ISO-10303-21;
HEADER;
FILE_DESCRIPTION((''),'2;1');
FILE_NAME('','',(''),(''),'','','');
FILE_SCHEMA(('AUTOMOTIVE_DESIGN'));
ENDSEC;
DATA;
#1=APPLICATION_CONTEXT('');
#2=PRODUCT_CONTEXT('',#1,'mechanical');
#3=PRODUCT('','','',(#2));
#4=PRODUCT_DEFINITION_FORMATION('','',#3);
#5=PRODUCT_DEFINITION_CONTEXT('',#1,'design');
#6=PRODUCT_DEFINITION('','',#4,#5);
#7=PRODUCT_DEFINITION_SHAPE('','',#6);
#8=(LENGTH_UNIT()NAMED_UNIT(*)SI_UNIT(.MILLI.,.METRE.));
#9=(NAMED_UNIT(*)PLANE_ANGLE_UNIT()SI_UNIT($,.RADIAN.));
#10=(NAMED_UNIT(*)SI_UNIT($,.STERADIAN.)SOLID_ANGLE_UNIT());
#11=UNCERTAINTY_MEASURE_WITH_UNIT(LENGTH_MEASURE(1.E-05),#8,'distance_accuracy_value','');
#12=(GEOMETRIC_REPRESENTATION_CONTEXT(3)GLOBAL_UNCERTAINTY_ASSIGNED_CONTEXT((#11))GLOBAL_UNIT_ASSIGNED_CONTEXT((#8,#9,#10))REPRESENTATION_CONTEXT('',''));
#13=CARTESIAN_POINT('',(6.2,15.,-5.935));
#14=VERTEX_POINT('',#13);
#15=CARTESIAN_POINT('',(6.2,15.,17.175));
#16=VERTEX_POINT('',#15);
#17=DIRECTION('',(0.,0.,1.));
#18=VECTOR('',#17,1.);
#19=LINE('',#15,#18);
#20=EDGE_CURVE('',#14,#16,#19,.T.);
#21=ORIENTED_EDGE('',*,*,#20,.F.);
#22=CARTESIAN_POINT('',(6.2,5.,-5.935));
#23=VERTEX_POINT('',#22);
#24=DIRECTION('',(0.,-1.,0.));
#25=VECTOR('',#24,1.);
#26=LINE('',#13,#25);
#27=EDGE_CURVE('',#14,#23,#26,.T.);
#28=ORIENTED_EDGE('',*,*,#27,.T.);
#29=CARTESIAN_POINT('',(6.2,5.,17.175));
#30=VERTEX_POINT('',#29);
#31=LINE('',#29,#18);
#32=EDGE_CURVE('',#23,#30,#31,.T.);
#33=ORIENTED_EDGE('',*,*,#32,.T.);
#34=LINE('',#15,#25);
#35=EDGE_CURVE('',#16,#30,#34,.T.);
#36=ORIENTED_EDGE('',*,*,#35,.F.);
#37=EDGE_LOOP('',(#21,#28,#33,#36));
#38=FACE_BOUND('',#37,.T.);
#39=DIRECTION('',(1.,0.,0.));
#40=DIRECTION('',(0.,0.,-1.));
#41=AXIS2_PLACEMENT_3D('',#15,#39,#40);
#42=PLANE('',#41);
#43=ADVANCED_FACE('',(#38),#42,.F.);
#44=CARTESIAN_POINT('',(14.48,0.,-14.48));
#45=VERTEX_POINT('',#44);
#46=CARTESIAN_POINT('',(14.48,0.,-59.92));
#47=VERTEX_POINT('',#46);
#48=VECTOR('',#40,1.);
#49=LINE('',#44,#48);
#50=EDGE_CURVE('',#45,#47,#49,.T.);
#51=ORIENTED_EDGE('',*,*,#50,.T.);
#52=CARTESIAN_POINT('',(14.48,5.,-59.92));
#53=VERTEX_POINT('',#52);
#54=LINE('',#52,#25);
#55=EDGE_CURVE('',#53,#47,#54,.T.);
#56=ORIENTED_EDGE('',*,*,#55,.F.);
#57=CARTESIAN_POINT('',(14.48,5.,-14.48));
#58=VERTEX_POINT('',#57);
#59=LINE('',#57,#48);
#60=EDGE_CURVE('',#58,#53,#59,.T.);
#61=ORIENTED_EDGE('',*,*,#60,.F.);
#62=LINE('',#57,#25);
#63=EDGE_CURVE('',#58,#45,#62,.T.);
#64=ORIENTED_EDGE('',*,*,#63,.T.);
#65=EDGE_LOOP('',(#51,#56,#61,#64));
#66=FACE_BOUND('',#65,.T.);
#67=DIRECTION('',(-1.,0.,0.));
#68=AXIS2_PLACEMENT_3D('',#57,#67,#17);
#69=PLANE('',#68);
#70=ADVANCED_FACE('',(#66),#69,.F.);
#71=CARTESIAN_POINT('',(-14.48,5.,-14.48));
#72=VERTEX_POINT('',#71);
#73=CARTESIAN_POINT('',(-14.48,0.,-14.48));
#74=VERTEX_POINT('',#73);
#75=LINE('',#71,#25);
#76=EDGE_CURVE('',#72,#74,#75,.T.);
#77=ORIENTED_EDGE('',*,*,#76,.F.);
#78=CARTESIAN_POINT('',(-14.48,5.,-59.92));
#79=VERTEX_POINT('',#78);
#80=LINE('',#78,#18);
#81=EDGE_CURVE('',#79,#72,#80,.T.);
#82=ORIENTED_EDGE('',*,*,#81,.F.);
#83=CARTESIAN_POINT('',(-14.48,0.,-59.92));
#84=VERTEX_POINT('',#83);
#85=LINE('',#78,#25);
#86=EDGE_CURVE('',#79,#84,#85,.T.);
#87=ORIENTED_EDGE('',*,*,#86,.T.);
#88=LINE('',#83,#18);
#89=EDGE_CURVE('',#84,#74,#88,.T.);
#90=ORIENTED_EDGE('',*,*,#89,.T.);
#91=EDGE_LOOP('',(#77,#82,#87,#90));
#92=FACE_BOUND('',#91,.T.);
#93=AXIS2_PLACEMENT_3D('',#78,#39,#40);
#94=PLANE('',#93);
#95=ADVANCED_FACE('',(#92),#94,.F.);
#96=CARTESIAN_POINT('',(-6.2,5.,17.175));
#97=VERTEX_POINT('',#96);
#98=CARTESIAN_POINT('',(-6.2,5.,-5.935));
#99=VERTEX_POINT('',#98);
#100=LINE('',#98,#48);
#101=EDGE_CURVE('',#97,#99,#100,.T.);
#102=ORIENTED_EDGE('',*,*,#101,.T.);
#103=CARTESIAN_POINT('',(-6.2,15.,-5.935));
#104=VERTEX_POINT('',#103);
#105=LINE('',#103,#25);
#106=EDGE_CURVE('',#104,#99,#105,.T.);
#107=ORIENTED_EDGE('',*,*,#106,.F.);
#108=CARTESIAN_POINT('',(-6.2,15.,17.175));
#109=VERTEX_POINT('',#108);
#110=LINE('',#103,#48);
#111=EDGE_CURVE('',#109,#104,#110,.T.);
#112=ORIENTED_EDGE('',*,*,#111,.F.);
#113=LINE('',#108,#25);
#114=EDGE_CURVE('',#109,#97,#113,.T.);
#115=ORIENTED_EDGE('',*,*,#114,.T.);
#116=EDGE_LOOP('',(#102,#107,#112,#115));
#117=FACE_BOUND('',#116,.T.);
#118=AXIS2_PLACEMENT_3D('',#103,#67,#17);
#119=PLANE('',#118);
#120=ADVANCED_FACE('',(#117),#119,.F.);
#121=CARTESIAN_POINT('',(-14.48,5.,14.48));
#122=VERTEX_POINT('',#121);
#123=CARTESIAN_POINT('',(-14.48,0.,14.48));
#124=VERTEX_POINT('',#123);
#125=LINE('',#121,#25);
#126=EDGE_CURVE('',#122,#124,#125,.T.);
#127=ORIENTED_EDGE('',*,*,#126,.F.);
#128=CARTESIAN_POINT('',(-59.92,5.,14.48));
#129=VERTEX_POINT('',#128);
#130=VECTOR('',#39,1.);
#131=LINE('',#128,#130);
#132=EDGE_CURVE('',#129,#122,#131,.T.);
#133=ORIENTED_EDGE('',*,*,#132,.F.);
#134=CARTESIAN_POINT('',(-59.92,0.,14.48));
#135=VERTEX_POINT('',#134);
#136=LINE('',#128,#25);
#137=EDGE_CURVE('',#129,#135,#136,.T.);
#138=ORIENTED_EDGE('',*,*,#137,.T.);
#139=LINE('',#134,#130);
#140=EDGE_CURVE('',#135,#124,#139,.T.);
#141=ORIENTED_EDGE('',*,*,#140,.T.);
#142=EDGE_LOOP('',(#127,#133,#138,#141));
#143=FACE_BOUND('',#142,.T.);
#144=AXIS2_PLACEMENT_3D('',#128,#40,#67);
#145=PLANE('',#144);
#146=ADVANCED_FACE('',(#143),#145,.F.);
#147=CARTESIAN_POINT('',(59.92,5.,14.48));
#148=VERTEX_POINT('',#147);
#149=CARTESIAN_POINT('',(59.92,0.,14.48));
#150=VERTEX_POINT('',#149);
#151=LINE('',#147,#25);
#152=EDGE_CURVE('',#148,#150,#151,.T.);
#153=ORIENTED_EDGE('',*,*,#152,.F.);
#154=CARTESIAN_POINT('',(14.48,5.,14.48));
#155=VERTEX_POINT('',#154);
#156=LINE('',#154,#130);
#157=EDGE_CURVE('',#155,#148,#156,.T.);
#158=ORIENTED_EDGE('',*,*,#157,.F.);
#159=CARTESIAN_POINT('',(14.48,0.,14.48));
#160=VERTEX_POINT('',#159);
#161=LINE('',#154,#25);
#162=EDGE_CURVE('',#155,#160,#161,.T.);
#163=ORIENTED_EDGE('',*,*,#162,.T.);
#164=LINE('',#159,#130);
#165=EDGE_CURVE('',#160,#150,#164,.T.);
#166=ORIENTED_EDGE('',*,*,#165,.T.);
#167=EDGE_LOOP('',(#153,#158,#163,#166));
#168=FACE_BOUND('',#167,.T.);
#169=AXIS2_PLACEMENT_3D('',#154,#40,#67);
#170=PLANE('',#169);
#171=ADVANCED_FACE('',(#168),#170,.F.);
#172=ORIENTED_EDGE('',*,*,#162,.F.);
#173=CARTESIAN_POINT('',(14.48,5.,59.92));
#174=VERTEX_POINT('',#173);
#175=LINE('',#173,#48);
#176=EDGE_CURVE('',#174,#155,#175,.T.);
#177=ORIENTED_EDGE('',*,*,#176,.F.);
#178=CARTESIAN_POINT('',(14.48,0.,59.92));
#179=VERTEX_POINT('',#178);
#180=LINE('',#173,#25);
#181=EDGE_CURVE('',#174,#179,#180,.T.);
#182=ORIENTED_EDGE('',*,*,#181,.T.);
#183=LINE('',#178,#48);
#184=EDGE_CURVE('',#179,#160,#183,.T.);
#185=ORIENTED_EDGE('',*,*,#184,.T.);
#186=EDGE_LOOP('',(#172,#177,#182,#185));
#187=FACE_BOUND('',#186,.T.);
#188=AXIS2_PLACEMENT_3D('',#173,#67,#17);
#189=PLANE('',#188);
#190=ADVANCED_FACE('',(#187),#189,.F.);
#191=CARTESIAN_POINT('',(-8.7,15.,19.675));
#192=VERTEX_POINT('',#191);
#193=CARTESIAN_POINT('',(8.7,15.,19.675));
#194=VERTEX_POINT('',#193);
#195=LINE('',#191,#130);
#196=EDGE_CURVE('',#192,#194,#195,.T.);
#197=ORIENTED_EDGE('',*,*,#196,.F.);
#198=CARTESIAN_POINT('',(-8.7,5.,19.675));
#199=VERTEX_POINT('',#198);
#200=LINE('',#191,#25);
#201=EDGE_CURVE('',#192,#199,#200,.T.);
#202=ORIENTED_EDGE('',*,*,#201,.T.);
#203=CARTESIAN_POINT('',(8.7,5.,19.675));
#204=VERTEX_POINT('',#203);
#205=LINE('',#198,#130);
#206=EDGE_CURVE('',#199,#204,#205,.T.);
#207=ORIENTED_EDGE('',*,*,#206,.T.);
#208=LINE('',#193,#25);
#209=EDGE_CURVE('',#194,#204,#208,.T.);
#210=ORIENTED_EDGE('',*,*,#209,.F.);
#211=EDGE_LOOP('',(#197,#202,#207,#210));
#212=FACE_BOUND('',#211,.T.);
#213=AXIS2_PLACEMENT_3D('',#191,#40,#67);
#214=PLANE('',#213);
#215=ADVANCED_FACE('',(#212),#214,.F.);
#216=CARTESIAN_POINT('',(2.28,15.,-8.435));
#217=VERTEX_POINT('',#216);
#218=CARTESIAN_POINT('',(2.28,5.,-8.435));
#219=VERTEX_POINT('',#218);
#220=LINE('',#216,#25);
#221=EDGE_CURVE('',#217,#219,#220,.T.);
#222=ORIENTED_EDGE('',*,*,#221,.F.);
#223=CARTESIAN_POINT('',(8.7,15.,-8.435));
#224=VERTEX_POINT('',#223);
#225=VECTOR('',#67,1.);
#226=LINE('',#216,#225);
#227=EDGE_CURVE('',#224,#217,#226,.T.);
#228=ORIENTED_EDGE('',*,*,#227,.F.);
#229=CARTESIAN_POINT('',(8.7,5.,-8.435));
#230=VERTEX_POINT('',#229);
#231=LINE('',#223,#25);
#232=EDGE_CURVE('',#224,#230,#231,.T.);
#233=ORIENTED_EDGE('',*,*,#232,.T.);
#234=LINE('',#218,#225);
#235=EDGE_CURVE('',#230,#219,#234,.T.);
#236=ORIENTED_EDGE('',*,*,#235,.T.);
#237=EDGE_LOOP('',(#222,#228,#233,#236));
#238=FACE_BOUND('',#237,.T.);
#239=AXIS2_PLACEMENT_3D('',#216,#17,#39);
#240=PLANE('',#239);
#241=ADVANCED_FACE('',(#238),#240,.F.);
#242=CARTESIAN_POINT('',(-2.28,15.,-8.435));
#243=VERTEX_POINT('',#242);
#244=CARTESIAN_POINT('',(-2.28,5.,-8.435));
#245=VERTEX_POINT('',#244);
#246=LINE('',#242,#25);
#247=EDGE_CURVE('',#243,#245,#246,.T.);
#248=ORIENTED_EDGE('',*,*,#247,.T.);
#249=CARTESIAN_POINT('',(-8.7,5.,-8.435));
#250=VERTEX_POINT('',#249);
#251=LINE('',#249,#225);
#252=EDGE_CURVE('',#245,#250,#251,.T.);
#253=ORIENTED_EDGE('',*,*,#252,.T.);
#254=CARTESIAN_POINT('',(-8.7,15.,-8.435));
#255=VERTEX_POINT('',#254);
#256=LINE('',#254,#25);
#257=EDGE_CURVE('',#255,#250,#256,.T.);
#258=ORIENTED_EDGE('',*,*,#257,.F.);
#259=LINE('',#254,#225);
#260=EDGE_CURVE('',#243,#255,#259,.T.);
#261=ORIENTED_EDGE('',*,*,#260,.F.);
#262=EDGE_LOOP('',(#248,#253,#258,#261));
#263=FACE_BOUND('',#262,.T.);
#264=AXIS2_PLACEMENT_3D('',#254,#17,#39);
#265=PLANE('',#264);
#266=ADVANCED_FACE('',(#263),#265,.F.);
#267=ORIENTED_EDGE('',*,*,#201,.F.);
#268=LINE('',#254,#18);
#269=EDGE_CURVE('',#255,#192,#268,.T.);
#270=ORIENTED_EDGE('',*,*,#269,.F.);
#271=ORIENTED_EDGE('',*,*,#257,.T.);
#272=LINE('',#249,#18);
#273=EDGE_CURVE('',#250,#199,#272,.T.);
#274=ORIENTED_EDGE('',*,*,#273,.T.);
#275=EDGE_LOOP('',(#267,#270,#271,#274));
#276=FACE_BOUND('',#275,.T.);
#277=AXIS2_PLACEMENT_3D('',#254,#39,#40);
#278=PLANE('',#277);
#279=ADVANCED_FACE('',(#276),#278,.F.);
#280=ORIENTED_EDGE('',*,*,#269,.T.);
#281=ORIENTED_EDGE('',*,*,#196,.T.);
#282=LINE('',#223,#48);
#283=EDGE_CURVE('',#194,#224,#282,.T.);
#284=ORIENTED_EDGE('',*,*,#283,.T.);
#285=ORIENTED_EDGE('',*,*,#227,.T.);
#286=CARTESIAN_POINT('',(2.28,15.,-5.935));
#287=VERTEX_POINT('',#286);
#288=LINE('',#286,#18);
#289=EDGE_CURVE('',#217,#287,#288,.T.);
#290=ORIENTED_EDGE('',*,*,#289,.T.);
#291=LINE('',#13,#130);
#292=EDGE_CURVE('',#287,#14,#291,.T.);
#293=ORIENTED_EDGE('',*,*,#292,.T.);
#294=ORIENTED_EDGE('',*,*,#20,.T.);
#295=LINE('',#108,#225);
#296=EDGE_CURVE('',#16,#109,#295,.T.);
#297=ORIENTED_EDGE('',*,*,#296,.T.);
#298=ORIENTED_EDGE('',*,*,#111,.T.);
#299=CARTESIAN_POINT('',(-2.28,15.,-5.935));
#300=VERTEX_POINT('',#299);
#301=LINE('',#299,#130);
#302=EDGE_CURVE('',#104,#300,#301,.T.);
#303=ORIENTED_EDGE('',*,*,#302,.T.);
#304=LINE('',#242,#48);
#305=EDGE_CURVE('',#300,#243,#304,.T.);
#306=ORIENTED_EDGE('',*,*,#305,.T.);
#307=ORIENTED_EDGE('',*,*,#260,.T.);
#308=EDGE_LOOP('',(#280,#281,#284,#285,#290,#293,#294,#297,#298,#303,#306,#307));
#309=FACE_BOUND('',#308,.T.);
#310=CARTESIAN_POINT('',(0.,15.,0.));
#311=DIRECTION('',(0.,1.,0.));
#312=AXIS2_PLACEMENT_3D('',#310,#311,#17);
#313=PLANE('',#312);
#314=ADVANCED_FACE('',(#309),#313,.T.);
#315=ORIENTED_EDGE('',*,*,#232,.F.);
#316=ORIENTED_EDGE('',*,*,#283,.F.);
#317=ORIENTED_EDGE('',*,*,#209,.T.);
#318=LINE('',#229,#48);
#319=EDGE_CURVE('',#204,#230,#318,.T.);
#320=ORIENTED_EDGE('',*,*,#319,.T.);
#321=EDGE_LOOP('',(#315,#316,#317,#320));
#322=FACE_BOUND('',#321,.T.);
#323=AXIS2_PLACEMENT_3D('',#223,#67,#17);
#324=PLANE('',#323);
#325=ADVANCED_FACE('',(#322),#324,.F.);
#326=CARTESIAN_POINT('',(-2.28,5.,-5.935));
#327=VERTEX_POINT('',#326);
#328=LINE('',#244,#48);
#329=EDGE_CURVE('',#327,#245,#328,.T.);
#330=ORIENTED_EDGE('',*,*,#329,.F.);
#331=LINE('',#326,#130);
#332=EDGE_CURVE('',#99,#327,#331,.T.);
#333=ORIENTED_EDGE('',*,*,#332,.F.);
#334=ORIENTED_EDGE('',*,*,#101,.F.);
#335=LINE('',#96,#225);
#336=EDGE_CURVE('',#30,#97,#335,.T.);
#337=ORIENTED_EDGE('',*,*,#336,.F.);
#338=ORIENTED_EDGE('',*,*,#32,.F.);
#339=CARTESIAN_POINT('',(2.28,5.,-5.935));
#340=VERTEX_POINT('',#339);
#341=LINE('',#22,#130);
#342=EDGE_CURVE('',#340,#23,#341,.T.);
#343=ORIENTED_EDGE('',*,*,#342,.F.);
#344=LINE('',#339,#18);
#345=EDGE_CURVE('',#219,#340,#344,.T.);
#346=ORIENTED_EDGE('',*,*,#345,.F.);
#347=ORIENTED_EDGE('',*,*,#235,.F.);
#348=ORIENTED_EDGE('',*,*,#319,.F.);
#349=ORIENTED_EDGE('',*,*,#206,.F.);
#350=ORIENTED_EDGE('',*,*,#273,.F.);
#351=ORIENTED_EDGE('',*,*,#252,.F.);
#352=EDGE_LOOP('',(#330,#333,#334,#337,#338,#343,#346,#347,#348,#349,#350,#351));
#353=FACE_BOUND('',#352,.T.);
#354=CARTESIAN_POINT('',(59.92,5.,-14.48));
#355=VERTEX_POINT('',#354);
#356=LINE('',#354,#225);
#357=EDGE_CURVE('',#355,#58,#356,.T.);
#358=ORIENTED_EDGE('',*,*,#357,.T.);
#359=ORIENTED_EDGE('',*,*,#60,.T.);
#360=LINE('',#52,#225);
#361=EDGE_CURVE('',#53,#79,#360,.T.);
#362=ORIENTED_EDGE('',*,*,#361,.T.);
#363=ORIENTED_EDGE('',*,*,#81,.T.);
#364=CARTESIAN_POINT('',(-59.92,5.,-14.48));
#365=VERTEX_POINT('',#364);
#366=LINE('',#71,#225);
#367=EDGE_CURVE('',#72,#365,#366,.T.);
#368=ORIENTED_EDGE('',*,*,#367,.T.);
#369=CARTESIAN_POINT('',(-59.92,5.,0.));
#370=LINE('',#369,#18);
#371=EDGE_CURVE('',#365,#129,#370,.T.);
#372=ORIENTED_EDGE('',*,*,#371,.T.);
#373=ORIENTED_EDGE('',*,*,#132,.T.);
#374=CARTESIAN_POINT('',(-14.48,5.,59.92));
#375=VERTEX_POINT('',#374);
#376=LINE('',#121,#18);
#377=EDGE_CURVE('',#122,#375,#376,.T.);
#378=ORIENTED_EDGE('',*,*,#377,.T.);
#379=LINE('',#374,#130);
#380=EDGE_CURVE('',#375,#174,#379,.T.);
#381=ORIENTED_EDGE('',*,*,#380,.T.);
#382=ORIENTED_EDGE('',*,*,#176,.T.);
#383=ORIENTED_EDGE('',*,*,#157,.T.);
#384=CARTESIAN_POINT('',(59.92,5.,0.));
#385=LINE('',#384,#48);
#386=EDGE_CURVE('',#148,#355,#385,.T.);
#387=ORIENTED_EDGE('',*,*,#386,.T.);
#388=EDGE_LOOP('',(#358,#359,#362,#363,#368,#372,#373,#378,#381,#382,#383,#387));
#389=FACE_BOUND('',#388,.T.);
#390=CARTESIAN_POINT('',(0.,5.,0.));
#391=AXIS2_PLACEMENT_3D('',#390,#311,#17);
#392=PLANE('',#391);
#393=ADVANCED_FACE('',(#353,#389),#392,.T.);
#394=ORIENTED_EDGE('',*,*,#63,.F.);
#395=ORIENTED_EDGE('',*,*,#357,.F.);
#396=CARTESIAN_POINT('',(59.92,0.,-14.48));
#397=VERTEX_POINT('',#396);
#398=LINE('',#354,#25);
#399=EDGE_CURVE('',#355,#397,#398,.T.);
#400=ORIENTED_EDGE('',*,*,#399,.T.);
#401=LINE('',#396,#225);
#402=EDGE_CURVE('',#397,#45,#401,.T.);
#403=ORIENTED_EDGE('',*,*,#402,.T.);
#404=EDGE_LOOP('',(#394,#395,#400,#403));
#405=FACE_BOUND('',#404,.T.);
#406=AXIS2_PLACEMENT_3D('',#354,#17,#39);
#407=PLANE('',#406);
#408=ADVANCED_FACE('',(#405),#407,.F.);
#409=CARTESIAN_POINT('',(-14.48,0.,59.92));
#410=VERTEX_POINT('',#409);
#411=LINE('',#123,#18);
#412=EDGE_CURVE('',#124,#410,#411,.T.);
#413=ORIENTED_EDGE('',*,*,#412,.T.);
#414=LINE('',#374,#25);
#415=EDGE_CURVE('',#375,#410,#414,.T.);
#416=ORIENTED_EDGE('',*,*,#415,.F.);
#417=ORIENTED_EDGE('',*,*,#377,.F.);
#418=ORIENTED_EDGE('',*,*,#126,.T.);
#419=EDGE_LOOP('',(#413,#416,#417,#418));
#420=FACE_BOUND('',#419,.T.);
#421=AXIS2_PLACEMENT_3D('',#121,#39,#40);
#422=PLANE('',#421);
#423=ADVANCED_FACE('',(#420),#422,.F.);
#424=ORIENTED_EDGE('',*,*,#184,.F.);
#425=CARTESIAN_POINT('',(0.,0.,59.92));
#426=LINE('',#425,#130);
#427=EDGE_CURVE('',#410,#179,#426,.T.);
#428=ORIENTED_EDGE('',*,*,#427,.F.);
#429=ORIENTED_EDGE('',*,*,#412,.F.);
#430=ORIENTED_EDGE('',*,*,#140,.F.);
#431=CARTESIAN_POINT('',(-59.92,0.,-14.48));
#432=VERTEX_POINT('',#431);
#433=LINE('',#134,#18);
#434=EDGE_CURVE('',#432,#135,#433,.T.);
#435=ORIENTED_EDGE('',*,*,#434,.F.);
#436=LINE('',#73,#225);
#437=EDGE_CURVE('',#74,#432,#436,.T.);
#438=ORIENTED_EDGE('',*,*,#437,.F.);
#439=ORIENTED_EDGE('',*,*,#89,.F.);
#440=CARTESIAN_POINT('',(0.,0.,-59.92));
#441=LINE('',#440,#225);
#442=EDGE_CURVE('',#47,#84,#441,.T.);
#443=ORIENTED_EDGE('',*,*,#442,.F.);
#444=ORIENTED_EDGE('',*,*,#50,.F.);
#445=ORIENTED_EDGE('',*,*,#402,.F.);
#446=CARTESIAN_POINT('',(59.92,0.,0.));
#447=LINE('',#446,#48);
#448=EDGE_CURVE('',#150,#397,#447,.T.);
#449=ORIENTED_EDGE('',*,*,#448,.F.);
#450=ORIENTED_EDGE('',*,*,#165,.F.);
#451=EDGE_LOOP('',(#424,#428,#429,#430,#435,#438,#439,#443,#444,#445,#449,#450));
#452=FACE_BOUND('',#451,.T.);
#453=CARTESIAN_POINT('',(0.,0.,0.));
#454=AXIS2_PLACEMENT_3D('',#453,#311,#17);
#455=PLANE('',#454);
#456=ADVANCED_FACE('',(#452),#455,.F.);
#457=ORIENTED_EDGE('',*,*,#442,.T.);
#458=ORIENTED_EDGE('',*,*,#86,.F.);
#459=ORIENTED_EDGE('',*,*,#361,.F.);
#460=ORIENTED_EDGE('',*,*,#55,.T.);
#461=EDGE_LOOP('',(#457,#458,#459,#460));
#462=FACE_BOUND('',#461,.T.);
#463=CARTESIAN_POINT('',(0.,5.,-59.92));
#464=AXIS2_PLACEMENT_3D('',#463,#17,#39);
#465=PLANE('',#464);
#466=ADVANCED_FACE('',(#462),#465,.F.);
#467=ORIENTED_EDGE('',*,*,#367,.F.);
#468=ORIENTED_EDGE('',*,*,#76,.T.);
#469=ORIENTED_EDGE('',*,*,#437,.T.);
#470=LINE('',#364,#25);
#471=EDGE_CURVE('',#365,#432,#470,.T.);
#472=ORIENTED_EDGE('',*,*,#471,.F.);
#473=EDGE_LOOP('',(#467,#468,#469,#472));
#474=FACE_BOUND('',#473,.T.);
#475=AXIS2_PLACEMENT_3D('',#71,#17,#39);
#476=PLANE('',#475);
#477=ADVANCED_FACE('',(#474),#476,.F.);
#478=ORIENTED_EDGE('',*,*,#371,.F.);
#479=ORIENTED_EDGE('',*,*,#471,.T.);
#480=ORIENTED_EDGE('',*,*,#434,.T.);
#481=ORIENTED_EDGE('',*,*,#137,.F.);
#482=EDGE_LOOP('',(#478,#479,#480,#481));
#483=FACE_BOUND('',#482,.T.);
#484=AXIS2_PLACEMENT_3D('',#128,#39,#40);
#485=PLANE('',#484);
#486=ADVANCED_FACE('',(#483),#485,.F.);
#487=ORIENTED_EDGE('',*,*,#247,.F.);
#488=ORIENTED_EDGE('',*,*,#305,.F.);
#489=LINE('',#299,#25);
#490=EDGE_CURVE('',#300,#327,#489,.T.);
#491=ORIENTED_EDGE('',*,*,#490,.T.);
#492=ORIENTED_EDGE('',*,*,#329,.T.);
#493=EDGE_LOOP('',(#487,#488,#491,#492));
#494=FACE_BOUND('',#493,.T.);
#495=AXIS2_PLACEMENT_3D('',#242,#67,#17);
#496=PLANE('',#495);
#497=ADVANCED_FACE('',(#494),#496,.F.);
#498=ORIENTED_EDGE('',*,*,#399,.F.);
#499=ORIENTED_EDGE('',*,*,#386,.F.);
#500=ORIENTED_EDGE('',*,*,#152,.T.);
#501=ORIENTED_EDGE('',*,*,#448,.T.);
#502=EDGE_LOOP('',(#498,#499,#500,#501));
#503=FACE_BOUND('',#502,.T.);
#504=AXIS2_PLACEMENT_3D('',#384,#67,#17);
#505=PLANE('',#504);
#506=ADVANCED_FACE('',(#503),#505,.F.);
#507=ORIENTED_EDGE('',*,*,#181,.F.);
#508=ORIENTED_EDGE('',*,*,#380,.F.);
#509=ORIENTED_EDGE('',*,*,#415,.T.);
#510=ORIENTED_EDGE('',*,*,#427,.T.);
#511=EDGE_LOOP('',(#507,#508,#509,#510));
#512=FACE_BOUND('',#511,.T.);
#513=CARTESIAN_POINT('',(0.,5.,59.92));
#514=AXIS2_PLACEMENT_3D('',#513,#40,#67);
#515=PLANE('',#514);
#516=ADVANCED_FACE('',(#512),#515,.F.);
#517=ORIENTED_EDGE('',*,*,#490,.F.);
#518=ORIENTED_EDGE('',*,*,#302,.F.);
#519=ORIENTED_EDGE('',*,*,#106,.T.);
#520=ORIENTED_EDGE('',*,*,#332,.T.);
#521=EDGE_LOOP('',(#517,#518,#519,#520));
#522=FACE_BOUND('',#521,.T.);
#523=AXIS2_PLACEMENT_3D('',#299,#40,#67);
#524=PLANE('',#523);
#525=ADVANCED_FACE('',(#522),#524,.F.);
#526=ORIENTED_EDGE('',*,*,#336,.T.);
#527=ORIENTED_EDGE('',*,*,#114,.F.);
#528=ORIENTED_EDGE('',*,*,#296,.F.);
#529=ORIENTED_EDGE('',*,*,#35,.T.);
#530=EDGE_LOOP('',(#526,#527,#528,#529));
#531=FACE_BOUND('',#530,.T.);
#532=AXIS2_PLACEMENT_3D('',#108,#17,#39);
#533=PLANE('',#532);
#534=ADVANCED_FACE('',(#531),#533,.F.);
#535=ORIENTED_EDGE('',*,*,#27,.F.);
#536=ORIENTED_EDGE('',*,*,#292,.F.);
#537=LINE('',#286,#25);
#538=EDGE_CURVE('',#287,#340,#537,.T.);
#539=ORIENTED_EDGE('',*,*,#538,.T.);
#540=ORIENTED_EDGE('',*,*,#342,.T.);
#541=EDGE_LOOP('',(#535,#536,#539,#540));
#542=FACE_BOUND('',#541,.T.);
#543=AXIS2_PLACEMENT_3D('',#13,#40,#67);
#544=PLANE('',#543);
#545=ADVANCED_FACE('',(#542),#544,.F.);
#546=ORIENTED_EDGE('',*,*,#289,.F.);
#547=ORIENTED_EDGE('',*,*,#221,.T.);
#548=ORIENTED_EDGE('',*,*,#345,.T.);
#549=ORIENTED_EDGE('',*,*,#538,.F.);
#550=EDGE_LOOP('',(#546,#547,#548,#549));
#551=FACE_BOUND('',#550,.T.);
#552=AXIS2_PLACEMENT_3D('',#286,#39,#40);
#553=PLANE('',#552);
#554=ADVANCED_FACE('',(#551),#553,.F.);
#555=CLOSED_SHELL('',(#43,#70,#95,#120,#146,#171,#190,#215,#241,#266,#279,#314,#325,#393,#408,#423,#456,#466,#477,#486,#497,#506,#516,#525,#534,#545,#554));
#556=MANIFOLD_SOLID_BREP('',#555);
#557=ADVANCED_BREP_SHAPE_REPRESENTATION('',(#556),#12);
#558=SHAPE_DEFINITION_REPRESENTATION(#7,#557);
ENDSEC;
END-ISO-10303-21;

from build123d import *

# Parameters (mm, degrees)
BOSS_EXTRUDE18_DEPTH = 5
BOSS_EXTRUDE19_DEPTH = 10


with BuildPart() as part:
    # Sketch21 → Boss-Extrude18 (new body)
    with BuildSketch(Plane(origin=(0, 0, 0), x_dir=(1, 0, 0), z_dir=(0, 1, 0))):
        Polygon((0, 59.92), (-14.48, 59.92), (-14.48, 14.48), (-59.92, 14.48), (-59.92, 0), (-59.92, -14.48), (-14.48, -14.48), (-14.48, -59.92), (0, -59.92), (14.48, -59.92), (14.48, -14.48), (59.92, -14.48), (59.92, 0), (59.92, 14.48), (14.48, 14.48), (14.48, 59.92), align=None)
    extrude(amount=BOSS_EXTRUDE18_DEPTH)

    # Sketch23 → Boss-Extrude19 (add)
    with BuildSketch(Plane(origin=(0, 5, 0), x_dir=(1, 0, 0), z_dir=(0, 1, 0))):
        Polygon((-8.7, 8.435), (-2.28, 8.435), (-2.28, 5.935), (-6.2, 5.935), (-6.2, -17.175), (6.2, -17.175), (6.2, 5.935), (2.28, 5.935), (2.28, 8.435), (8.7, 8.435), (8.7, -19.675), (-8.7, -19.675), align=None)
    extrude(amount=BOSS_EXTRUDE19_DEPTH)


solid = part.part
